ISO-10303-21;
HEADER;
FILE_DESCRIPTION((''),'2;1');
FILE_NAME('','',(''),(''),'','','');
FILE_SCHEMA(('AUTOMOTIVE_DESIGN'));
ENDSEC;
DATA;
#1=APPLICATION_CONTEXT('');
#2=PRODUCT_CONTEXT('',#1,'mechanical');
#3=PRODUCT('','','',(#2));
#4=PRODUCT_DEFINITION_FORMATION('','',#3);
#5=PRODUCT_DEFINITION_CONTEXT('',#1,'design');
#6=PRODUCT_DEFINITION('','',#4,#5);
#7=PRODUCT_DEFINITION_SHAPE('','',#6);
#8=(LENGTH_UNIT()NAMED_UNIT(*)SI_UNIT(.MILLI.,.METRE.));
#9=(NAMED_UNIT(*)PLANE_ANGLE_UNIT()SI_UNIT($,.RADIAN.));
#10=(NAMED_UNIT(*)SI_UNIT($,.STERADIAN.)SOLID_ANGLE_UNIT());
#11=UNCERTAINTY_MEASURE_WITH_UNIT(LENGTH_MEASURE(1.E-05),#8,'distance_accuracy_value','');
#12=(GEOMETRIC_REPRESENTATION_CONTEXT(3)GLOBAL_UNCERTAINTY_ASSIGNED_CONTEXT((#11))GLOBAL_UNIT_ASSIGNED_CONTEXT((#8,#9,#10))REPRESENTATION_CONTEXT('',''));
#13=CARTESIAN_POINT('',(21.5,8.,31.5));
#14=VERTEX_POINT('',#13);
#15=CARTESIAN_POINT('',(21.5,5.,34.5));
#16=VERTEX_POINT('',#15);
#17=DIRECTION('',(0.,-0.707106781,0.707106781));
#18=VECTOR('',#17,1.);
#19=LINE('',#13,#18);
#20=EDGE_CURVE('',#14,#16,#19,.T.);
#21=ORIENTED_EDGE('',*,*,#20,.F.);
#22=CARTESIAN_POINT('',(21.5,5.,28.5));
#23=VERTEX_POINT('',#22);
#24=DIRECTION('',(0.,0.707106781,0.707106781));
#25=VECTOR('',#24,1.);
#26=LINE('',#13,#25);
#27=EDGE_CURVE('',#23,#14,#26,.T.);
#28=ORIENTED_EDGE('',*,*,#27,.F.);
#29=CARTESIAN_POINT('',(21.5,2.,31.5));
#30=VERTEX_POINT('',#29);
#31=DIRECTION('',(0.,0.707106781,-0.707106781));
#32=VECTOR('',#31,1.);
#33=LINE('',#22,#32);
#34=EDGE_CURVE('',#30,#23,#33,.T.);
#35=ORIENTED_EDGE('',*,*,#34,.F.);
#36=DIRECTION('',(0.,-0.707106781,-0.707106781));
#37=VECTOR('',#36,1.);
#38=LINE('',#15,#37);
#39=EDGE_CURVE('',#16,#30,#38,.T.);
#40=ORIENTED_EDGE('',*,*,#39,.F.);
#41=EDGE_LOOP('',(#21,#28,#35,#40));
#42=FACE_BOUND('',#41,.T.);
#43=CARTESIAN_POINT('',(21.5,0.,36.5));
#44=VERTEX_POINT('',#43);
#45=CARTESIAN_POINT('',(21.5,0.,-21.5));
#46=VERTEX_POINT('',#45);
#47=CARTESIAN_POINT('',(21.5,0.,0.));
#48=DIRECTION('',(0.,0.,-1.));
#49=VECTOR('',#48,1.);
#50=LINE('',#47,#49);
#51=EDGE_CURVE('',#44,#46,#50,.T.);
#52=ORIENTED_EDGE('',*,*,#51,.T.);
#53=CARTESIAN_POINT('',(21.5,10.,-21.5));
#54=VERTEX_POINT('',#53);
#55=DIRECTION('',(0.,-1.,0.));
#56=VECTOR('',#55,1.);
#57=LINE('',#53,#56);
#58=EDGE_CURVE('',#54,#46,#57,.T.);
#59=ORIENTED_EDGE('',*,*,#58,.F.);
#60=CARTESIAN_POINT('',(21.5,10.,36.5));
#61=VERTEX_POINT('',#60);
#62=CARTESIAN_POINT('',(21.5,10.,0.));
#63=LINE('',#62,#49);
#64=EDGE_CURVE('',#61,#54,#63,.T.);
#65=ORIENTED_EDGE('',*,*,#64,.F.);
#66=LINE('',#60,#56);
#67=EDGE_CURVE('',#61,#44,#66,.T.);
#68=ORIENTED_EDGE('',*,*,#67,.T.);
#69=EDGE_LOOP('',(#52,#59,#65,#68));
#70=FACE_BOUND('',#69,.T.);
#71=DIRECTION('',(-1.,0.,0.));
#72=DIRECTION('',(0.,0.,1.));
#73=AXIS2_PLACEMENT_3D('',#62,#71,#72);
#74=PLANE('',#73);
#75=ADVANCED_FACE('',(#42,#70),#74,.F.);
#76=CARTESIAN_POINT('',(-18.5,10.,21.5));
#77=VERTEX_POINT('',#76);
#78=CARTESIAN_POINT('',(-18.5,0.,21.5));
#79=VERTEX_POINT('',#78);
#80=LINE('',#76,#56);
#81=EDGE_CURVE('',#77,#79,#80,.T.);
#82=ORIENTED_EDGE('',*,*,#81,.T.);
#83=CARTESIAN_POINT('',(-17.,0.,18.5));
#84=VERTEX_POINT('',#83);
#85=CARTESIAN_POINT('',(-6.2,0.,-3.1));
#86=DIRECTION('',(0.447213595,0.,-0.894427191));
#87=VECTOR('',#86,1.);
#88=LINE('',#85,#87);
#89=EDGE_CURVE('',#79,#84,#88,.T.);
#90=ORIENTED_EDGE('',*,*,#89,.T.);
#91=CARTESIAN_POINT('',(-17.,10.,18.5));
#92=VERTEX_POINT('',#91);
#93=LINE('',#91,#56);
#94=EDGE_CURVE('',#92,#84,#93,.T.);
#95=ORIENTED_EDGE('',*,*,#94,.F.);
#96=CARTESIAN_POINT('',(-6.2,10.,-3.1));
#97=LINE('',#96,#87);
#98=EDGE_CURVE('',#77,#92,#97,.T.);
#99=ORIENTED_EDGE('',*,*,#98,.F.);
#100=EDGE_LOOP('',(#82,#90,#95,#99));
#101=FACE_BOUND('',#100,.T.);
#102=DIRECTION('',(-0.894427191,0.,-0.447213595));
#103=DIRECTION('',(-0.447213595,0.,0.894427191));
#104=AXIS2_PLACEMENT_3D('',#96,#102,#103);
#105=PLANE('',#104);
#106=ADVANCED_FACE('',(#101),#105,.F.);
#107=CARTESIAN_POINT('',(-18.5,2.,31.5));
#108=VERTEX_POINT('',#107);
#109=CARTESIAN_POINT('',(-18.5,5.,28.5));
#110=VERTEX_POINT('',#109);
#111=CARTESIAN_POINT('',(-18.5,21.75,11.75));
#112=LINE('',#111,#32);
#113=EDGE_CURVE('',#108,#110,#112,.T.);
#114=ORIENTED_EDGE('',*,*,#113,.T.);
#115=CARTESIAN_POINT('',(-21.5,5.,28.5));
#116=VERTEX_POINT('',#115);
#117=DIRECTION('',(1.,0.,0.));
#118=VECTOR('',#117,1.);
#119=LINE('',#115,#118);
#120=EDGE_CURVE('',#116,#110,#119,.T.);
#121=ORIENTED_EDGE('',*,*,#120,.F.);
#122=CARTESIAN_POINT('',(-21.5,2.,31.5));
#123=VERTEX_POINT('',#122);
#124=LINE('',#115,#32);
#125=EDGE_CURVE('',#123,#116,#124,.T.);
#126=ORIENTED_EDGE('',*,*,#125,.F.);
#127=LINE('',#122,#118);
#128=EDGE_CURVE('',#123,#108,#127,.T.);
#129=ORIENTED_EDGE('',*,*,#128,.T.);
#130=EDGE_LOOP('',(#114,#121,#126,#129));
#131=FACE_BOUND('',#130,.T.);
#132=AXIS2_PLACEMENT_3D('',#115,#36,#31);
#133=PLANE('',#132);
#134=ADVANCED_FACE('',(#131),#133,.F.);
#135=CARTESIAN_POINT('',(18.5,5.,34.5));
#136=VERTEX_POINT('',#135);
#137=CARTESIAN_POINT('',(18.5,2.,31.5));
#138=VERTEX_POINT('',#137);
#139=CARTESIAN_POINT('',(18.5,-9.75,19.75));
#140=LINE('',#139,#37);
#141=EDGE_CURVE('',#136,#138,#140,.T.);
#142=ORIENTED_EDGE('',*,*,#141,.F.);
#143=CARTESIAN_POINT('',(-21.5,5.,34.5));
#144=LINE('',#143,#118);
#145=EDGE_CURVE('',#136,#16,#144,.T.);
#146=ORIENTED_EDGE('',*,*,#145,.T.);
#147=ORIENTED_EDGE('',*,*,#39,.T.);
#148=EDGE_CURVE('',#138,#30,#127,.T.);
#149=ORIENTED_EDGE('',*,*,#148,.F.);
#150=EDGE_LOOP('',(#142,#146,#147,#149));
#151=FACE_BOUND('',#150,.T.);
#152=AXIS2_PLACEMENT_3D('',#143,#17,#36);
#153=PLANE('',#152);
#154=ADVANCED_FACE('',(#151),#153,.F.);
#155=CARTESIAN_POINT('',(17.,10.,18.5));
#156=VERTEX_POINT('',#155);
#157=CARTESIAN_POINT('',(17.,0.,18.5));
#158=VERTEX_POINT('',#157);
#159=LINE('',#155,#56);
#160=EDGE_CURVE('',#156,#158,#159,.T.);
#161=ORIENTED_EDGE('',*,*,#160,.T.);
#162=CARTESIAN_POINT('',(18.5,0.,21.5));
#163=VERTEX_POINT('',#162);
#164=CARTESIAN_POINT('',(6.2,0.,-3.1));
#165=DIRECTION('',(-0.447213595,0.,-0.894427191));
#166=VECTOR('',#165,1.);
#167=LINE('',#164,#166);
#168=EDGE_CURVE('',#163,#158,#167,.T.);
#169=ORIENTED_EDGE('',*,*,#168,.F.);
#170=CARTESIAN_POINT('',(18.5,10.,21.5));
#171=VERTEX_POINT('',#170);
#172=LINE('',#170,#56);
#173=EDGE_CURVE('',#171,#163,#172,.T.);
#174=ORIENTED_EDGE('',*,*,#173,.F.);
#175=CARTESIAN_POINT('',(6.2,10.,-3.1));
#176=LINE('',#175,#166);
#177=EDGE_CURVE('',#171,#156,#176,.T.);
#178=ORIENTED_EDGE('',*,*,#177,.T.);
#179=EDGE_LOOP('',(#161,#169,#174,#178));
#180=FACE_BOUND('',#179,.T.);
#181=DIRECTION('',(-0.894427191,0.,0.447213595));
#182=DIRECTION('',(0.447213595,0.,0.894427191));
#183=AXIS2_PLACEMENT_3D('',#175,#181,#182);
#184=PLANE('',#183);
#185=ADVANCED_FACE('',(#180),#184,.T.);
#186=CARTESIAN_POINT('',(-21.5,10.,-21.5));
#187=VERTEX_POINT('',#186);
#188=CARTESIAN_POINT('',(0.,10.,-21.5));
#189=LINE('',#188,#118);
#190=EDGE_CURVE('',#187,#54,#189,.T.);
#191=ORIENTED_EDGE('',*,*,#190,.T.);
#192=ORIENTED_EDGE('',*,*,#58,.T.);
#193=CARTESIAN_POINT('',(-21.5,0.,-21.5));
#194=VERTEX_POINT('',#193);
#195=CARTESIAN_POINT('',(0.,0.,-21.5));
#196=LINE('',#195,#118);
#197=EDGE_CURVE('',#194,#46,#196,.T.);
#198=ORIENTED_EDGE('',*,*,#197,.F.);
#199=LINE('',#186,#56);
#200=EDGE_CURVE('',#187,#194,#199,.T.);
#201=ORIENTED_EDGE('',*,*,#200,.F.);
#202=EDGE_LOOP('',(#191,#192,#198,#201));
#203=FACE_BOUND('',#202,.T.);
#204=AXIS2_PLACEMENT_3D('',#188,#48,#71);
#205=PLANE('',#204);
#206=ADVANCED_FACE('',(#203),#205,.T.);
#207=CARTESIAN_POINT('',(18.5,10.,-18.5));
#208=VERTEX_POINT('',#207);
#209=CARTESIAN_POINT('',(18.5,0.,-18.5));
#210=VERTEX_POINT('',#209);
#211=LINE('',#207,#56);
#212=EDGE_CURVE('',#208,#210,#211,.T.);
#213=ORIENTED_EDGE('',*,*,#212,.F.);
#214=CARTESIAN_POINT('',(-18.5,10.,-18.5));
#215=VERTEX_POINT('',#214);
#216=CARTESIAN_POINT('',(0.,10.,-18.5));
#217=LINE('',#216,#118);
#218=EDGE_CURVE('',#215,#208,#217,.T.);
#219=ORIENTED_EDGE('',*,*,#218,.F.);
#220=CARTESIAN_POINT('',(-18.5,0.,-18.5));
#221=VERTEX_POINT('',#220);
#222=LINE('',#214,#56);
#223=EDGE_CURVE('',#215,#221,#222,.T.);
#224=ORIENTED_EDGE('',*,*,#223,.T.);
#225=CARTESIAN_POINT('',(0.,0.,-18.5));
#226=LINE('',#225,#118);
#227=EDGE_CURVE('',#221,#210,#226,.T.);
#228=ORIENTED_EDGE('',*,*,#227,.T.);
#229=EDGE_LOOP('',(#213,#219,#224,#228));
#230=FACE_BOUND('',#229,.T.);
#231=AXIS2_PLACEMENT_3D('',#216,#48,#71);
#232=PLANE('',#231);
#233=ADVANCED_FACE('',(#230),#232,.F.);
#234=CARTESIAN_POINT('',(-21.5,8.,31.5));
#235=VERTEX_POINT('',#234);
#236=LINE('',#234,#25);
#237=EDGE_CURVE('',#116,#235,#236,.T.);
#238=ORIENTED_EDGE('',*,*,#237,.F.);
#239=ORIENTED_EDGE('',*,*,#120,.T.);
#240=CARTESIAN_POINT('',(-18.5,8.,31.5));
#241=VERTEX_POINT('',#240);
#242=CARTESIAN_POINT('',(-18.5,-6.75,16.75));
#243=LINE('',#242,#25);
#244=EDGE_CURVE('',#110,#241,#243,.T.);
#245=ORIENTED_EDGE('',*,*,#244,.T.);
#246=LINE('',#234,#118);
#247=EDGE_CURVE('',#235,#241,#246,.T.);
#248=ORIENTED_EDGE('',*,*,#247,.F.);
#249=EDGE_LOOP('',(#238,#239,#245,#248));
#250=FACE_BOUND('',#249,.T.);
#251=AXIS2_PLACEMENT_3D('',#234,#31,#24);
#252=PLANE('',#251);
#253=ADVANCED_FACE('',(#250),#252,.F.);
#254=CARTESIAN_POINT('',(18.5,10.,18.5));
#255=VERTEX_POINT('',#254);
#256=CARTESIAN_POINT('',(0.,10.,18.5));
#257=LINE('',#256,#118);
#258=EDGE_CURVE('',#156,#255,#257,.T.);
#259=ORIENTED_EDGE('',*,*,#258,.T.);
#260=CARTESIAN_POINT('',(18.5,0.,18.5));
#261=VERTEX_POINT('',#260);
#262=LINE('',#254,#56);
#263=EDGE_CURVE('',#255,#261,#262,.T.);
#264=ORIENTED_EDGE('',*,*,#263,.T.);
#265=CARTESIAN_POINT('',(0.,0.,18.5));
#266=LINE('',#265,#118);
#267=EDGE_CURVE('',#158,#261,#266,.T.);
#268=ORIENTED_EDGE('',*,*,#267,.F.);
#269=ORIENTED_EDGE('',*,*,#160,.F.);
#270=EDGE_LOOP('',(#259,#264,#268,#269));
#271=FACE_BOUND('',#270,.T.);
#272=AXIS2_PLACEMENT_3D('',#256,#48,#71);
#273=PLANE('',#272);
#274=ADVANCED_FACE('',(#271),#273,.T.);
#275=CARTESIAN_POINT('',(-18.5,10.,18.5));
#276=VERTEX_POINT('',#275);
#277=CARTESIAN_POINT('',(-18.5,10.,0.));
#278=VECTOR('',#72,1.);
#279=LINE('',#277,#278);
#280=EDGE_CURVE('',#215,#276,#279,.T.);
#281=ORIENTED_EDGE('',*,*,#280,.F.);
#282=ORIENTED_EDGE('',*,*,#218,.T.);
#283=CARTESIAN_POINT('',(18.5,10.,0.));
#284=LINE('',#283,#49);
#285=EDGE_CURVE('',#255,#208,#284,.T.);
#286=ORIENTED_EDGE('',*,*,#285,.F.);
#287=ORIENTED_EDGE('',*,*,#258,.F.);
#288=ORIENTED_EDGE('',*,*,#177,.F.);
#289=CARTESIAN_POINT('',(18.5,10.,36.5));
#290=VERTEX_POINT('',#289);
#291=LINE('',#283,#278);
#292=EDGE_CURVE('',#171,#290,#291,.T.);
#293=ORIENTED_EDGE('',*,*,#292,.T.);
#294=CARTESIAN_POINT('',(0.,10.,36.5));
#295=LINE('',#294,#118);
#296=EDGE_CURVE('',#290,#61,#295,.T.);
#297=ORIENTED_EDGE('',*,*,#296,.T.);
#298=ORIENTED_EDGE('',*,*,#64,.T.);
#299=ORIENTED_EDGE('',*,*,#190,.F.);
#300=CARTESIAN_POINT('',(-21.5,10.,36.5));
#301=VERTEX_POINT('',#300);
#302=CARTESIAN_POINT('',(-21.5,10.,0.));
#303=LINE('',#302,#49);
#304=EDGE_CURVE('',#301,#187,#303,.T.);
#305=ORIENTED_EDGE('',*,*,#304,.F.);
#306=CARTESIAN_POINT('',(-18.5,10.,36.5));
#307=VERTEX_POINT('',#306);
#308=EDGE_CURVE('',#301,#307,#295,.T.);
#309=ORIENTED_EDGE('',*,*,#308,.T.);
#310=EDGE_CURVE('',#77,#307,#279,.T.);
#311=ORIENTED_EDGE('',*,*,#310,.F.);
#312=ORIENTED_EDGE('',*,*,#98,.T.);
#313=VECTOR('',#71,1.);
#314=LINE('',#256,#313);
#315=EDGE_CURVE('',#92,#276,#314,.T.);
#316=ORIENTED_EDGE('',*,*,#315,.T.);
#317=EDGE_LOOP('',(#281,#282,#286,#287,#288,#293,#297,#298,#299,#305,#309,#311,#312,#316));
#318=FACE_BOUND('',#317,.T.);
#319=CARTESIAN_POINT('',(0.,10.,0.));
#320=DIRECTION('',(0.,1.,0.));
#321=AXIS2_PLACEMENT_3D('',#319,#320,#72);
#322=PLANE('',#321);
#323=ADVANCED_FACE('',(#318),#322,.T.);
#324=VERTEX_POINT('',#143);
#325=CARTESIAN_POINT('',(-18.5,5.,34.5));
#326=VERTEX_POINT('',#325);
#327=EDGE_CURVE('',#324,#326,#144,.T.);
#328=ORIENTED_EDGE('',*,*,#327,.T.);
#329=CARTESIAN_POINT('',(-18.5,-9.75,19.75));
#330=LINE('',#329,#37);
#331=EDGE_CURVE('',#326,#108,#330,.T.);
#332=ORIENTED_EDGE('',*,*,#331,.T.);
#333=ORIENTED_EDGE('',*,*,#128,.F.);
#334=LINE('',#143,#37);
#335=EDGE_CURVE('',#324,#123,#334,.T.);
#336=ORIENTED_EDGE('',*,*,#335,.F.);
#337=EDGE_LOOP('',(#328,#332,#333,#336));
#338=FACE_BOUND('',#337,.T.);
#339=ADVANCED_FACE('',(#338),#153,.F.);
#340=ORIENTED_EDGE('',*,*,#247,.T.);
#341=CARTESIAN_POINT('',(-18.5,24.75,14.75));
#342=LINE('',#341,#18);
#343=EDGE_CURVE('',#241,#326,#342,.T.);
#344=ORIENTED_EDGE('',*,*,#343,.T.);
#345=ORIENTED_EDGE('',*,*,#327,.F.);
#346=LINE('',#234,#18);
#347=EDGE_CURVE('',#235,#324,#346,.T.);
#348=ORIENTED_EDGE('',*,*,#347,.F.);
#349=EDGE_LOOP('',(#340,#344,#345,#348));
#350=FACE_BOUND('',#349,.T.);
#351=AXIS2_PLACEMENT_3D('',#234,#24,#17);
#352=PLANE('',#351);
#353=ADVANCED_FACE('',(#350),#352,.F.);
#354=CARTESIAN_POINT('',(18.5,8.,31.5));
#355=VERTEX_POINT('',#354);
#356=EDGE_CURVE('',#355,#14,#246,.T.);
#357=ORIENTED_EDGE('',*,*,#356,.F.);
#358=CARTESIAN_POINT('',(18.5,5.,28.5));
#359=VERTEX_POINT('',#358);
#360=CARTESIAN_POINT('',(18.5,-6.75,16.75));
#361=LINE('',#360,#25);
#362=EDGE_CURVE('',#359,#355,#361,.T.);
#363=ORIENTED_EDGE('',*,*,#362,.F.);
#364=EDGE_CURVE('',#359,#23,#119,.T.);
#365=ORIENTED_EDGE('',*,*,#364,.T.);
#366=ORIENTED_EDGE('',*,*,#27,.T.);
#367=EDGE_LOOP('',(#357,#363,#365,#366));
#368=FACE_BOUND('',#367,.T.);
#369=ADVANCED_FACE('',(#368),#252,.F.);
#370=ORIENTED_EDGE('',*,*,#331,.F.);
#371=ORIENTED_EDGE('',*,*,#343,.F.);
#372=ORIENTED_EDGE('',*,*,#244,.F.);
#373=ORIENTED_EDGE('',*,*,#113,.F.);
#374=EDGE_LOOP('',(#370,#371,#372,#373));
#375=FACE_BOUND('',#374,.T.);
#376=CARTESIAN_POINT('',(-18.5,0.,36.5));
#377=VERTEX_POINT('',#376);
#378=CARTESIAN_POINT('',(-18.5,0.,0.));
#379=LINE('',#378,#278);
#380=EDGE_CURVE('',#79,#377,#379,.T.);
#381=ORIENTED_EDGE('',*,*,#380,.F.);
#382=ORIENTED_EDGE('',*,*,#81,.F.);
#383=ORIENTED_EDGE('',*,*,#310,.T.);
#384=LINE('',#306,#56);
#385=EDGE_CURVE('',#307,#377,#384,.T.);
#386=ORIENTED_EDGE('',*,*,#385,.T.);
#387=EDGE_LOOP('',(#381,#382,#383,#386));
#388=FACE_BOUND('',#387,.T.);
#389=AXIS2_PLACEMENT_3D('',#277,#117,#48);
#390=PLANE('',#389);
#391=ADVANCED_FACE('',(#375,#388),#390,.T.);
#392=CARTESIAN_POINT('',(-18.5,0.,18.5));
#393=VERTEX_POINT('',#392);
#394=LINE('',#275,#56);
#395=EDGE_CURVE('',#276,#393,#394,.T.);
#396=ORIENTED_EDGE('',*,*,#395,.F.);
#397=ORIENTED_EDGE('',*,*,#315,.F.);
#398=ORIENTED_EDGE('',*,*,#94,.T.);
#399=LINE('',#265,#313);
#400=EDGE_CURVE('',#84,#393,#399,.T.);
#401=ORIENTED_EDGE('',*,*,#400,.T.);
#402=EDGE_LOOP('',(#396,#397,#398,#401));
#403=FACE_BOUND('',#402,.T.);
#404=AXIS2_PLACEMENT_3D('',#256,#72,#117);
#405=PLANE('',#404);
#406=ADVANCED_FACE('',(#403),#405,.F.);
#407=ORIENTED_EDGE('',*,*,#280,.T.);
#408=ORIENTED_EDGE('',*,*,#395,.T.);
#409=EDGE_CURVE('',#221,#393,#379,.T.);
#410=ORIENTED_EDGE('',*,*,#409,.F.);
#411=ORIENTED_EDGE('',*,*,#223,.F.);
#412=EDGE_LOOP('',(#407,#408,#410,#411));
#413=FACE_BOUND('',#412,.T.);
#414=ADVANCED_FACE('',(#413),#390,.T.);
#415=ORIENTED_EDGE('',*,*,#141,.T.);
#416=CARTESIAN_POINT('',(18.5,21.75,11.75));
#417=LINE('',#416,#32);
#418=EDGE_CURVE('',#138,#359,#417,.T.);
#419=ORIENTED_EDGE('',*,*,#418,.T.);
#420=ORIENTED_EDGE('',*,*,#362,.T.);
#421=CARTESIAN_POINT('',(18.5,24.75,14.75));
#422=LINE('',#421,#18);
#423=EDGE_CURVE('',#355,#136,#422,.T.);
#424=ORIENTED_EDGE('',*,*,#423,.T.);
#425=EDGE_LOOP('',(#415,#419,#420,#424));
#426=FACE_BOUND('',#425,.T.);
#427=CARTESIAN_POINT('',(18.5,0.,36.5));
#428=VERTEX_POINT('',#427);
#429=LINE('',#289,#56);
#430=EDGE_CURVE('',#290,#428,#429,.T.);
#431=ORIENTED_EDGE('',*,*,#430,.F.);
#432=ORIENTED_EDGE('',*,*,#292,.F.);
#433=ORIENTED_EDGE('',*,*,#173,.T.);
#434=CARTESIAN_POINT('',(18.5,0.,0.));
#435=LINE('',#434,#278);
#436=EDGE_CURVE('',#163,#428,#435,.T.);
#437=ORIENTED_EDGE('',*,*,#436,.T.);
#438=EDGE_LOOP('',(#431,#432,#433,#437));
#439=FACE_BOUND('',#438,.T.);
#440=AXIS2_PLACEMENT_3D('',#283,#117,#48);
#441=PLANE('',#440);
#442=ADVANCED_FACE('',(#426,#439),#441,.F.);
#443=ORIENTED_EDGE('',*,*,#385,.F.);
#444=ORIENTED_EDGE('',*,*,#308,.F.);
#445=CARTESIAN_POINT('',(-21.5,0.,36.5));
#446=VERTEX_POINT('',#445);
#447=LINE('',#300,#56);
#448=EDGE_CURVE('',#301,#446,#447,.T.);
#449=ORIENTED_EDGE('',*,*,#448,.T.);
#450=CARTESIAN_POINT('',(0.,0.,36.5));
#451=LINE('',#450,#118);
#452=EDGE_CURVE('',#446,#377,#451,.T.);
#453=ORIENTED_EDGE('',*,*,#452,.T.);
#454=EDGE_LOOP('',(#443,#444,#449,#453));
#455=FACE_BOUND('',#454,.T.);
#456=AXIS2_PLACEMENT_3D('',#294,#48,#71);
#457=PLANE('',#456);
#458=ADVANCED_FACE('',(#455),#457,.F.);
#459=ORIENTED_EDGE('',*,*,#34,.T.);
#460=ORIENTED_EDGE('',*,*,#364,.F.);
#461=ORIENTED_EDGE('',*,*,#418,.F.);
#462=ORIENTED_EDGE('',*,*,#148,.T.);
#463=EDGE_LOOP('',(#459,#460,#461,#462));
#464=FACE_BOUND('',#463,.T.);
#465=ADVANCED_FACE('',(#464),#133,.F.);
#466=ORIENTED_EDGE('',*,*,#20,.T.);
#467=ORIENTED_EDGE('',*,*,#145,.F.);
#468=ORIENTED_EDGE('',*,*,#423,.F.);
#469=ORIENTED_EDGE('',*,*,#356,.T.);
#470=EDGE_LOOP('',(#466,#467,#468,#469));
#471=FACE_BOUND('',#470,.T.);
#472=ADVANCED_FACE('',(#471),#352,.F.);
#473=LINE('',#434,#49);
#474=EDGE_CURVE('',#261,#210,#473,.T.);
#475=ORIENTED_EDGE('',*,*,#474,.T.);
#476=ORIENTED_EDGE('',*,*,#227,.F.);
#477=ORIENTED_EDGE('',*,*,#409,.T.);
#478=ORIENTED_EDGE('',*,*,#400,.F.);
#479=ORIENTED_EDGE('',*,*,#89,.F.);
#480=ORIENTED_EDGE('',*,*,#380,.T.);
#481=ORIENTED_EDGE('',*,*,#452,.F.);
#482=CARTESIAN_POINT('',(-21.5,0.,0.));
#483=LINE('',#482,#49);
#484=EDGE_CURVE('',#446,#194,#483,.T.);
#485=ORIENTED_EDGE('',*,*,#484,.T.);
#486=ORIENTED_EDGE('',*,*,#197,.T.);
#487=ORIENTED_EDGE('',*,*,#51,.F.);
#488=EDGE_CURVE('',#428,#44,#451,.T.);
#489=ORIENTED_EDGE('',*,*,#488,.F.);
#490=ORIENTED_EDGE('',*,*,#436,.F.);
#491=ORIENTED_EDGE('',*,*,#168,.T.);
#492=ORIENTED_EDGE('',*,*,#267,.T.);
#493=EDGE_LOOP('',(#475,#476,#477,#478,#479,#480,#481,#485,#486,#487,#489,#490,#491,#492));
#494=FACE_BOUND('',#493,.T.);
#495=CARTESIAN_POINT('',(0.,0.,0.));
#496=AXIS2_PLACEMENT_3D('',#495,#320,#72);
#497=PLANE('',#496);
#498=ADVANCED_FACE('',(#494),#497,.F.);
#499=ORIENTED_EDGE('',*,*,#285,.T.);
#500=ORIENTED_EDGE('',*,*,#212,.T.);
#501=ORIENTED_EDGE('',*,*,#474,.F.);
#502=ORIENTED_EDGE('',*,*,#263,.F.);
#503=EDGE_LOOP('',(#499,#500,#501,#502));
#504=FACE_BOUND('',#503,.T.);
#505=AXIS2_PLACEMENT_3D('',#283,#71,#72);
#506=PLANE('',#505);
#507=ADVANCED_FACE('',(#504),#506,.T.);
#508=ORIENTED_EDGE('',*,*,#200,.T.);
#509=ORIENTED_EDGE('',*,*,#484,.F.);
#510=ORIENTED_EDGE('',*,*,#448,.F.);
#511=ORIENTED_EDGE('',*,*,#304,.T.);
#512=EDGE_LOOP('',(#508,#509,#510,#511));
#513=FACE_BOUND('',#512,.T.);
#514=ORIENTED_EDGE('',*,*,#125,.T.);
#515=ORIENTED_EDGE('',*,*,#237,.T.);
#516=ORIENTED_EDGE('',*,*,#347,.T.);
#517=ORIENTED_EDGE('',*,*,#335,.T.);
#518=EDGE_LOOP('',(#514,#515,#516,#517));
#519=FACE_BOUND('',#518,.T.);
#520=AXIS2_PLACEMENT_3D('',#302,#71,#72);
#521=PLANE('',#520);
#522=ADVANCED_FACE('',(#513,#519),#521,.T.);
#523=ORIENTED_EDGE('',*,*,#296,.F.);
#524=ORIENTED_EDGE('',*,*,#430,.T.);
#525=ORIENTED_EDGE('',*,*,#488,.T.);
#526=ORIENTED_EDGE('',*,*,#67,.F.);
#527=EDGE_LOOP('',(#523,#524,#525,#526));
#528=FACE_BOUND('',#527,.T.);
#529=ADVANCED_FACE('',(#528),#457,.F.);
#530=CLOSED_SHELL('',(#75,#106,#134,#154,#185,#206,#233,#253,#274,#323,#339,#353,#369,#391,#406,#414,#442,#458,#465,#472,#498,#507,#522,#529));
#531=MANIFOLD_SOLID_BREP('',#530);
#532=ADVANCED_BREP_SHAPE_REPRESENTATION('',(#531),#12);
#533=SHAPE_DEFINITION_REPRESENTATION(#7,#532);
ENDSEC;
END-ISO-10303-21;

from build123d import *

# Parameters (mm, degrees)
SKETCH1_W           = 3
SKETCH1_H           = 15
BOSS_EXTRUDE1_DEPTH = 10
CUT_EXTRUDE1_DEPTH  = 58.282196187


with BuildPart() as part:
    # Sketch1 → Boss-Extrude1 (new body)
    with BuildSketch(Plane(origin=(0, 0, 0), x_dir=(1, 0, 0), z_dir=(0, 1, 0))):
        Polygon((18.5, -18.5), (18.5, 18.5), (-18.5, 18.5), (-18.5, -18.5), (-18.5, -21.5), (-21.5, -21.5), (-21.5, 21.5), (21.5, 21.5), (21.5, -21.5), (18.5, -21.5), align=None)
        with Locations((-20, -29)):
            Rectangle(SKETCH1_W, SKETCH1_H)
        with Locations((20, -29)):
            Rectangle(SKETCH1_W, SKETCH1_H)
        Polygon((-18.5, -21.5), (-17, -18.5), (-18.5, -18.5), align=None)
        Polygon((17, -18.5), (18.5, -18.5), (18.5, -21.5), align=None)
    extrude(amount=BOSS_EXTRUDE1_DEPTH)

    # Sketch3 → Cut-Extrude1 (cut, through all)
    with BuildSketch(Plane(origin=(21.5, 0, 0), x_dir=(0, 0, -1), z_dir=(1, 0, 0))):
        Polygon((-31.5, 8), (-34.5, 5), (-31.5, 2), (-28.5, 5), align=None)
    extrude(amount=-CUT_EXTRUDE1_DEPTH, mode=Mode.SUBTRACT)


solid = part.part
